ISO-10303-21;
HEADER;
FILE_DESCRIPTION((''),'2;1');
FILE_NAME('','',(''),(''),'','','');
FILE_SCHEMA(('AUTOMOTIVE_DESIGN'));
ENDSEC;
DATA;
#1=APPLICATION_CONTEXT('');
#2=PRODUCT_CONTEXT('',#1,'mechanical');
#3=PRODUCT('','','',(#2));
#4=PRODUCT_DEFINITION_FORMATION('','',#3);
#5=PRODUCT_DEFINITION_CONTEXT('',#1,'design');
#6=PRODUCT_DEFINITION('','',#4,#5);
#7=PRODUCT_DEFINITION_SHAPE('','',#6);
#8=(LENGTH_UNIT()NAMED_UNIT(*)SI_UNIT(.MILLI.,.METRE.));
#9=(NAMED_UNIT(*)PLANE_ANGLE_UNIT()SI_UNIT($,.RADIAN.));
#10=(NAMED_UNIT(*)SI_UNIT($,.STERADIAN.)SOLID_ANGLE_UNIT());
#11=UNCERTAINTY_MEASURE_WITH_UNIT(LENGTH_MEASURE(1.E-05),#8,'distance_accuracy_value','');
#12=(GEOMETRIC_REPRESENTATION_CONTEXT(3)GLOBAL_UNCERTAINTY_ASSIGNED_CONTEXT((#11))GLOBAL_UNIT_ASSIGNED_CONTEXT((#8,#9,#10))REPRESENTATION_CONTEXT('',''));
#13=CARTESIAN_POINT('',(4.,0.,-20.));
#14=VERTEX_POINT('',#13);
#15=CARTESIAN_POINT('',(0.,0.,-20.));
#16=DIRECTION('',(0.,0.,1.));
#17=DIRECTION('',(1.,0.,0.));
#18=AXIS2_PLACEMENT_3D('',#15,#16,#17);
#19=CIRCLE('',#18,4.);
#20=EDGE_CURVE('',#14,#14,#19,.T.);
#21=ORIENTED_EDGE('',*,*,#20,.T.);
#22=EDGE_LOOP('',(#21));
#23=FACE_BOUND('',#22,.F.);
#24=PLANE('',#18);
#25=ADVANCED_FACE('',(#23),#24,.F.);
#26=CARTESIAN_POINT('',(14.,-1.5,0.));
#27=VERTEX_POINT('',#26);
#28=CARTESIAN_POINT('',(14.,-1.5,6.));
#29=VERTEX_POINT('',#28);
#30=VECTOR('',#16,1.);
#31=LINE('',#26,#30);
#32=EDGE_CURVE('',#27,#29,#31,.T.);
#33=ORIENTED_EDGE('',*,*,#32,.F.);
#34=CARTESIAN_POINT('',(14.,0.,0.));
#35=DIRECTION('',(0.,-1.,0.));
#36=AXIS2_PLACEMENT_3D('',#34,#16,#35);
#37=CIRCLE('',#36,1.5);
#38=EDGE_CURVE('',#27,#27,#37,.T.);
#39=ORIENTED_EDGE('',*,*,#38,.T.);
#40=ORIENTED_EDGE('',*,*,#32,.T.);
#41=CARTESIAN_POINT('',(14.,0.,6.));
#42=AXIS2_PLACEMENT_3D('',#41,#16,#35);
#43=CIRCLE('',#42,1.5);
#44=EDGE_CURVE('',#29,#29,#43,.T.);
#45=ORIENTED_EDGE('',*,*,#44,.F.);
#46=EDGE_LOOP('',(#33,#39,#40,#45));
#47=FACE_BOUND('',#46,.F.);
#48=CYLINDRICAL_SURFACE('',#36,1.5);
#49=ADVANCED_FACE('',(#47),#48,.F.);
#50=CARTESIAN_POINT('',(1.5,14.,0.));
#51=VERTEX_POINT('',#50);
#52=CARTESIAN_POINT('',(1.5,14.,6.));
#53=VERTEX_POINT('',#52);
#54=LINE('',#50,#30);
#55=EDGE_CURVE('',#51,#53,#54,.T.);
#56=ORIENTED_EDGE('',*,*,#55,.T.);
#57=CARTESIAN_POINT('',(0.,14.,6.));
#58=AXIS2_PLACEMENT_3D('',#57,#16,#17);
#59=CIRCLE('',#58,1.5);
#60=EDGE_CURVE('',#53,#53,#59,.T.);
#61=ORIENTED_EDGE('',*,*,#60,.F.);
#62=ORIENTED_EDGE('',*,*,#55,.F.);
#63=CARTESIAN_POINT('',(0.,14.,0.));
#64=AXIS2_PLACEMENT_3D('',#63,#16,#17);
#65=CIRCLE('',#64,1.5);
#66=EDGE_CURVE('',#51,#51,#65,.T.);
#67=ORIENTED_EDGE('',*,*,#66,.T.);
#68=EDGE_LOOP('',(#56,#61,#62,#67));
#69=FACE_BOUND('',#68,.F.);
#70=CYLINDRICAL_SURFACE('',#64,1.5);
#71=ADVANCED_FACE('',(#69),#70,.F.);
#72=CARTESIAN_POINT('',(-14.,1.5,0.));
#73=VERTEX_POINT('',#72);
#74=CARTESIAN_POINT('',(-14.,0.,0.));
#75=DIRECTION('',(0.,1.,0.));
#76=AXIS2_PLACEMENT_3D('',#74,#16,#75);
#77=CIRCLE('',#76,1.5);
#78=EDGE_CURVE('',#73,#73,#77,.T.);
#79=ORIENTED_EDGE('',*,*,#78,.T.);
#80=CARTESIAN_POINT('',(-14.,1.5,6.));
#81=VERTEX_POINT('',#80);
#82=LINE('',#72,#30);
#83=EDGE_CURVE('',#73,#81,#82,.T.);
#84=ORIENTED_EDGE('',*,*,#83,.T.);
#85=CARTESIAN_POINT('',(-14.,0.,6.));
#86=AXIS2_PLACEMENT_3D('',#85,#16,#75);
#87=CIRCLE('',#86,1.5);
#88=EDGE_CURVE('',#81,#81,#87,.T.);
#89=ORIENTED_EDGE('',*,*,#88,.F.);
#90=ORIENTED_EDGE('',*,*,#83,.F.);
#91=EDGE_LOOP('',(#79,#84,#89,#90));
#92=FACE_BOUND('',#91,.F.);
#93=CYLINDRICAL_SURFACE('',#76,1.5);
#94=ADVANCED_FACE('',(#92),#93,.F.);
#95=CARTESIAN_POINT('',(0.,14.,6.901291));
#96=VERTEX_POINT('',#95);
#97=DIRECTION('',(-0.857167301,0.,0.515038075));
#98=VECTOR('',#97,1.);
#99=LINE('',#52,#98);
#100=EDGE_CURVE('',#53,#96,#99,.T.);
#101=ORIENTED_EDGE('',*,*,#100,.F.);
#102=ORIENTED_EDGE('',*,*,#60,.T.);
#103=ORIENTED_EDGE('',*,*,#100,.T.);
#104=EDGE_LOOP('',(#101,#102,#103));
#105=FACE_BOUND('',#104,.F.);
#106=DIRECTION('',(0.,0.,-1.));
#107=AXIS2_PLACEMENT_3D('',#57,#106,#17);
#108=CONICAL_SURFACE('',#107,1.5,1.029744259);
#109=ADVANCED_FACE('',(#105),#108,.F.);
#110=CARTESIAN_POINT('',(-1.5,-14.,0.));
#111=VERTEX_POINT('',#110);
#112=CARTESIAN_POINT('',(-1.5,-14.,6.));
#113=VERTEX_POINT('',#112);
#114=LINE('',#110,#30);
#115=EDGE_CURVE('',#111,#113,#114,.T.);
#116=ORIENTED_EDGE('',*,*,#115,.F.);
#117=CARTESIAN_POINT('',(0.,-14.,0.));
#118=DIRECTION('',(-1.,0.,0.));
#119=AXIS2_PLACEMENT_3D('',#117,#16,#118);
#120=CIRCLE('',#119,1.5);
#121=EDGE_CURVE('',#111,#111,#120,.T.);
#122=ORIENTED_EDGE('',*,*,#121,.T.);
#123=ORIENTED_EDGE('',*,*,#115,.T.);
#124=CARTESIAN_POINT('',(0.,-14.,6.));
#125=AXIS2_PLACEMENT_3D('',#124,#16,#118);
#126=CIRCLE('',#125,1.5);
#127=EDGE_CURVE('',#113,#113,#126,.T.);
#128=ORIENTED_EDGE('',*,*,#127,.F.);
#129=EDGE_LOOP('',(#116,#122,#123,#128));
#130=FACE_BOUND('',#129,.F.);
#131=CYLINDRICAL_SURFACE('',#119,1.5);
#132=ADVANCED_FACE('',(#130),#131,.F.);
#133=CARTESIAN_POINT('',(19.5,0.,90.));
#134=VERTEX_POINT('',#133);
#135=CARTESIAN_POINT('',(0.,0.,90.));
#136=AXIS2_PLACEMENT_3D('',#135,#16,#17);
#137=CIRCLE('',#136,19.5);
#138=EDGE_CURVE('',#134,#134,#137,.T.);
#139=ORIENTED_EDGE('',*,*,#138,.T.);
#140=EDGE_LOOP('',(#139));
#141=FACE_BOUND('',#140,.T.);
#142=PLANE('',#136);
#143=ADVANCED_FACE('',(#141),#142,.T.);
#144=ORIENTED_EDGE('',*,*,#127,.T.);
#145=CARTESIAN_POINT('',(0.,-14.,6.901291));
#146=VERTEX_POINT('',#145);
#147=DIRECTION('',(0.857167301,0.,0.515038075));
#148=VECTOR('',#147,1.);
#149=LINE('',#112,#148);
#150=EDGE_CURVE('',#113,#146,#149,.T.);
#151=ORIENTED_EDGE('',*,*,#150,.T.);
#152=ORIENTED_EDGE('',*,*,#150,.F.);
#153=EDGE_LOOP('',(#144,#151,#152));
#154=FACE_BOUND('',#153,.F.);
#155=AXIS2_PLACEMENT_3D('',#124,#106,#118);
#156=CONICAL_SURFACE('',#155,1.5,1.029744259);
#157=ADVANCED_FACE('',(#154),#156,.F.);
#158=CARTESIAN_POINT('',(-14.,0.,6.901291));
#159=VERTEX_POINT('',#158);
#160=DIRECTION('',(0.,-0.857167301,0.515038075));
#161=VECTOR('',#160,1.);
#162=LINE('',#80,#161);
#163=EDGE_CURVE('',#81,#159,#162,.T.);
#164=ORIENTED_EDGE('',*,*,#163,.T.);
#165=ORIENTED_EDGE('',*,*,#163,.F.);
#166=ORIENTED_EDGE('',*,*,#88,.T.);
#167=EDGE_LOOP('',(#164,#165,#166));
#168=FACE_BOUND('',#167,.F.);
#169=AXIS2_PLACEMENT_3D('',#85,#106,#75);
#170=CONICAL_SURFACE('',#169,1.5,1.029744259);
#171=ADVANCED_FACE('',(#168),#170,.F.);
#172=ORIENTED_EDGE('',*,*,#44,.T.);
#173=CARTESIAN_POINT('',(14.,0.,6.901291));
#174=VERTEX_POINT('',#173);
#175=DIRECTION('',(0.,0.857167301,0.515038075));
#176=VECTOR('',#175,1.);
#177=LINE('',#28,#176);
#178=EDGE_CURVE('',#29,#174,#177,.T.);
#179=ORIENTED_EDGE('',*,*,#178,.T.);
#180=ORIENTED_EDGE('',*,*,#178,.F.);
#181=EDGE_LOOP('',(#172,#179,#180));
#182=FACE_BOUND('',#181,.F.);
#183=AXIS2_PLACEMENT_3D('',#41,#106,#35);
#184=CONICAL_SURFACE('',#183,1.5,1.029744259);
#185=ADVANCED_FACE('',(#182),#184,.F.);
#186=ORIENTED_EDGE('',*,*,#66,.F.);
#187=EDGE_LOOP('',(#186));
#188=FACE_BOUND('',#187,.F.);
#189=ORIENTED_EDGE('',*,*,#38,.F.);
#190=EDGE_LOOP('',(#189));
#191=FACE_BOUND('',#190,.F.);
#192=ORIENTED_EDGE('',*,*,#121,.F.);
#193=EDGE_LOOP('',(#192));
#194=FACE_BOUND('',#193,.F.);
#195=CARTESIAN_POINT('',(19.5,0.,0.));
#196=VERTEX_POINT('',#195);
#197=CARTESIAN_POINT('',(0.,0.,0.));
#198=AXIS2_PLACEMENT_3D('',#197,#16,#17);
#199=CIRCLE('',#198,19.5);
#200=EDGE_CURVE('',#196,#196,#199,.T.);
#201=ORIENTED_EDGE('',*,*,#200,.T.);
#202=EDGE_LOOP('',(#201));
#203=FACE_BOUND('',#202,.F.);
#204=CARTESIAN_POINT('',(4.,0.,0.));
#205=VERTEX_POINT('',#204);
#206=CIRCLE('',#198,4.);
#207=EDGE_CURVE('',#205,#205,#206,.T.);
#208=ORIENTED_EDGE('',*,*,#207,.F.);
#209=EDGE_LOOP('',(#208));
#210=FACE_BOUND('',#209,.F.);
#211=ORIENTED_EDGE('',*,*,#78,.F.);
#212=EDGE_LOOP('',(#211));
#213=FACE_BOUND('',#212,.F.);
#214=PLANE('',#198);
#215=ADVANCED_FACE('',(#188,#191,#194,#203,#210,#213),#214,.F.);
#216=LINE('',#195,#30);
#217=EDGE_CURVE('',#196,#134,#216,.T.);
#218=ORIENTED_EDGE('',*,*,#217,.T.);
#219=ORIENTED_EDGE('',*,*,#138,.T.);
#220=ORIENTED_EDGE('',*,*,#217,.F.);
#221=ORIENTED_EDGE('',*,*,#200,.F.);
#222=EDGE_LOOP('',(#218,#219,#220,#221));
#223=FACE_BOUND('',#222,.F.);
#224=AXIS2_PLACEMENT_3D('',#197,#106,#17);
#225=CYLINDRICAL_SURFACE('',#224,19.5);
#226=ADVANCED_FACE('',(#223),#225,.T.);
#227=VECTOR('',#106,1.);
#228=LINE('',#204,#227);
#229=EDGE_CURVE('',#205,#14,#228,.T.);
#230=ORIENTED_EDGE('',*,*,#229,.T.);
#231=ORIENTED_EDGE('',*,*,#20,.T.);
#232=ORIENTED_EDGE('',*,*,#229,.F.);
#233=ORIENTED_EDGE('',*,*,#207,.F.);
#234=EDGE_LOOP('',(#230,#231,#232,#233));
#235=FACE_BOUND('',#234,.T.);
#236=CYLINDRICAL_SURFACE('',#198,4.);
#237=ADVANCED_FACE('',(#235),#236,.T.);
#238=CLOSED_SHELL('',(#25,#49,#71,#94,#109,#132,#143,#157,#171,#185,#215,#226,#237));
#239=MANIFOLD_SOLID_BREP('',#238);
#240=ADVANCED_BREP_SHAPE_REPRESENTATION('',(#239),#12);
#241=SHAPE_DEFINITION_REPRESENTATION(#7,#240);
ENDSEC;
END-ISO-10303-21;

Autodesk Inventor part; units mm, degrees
ref_plane "YZ Plane" through (0, 0, 0) normal (1, 0, 0) x (0, 1, 0)
ref_plane "XZ Plane" through (0, 0, 0) normal (0, 1, 0) x (-1, 0, 0)
ref_plane "XY Plane" through (0, 0, 0) normal (0, 0, 1) x (1, 0, 0)
sketch "Sketch1" plane through (0, 0, 0) normal (0, 0, 1) x (1, 0, 0)
  circle A0 centre (0, 0) radius 19.5
  circle A1 centre (0, 0) radius 4
  dimension "d0" = 39
  dimension "d3" = 8
extrude "Extrusion1" add sketch "Sketch1" along normal blind 90 contours A0 | A1
extrude "Extrusion2" add sketch "Sketch1" against normal blind 20 contours A1
sketch "Sketch2" plane through (0, 0, 0) normal (0, 0, -1) x (-1, 0, 0)
  circle A0 centre (0, 0) radius 4 projected
  circle A1 centre (0, 0) radius 19.5 projected
sketch "Sketch3" plane through (0, 0, 0) normal (0, 0, -1) x (-1, 0, 0)
  circle A0 centre (0, 0) radius 19.5 projected
  circle A1 centre (0, 0) radius 14 construction
  point P0 (14, 0)
  dimension "d6" = 28
hole "Hole1" at (-14, 0, 0) direction (0, 0, 1) diameter 3 depth 6 tip angle 118
pattern_circular "Circular Pattern1" count 4 over 360 about axis through (0, 0, 0) along (0, 0, 1) of "Hole1"
properties part number "PG36M555_Motor_Dummy"
